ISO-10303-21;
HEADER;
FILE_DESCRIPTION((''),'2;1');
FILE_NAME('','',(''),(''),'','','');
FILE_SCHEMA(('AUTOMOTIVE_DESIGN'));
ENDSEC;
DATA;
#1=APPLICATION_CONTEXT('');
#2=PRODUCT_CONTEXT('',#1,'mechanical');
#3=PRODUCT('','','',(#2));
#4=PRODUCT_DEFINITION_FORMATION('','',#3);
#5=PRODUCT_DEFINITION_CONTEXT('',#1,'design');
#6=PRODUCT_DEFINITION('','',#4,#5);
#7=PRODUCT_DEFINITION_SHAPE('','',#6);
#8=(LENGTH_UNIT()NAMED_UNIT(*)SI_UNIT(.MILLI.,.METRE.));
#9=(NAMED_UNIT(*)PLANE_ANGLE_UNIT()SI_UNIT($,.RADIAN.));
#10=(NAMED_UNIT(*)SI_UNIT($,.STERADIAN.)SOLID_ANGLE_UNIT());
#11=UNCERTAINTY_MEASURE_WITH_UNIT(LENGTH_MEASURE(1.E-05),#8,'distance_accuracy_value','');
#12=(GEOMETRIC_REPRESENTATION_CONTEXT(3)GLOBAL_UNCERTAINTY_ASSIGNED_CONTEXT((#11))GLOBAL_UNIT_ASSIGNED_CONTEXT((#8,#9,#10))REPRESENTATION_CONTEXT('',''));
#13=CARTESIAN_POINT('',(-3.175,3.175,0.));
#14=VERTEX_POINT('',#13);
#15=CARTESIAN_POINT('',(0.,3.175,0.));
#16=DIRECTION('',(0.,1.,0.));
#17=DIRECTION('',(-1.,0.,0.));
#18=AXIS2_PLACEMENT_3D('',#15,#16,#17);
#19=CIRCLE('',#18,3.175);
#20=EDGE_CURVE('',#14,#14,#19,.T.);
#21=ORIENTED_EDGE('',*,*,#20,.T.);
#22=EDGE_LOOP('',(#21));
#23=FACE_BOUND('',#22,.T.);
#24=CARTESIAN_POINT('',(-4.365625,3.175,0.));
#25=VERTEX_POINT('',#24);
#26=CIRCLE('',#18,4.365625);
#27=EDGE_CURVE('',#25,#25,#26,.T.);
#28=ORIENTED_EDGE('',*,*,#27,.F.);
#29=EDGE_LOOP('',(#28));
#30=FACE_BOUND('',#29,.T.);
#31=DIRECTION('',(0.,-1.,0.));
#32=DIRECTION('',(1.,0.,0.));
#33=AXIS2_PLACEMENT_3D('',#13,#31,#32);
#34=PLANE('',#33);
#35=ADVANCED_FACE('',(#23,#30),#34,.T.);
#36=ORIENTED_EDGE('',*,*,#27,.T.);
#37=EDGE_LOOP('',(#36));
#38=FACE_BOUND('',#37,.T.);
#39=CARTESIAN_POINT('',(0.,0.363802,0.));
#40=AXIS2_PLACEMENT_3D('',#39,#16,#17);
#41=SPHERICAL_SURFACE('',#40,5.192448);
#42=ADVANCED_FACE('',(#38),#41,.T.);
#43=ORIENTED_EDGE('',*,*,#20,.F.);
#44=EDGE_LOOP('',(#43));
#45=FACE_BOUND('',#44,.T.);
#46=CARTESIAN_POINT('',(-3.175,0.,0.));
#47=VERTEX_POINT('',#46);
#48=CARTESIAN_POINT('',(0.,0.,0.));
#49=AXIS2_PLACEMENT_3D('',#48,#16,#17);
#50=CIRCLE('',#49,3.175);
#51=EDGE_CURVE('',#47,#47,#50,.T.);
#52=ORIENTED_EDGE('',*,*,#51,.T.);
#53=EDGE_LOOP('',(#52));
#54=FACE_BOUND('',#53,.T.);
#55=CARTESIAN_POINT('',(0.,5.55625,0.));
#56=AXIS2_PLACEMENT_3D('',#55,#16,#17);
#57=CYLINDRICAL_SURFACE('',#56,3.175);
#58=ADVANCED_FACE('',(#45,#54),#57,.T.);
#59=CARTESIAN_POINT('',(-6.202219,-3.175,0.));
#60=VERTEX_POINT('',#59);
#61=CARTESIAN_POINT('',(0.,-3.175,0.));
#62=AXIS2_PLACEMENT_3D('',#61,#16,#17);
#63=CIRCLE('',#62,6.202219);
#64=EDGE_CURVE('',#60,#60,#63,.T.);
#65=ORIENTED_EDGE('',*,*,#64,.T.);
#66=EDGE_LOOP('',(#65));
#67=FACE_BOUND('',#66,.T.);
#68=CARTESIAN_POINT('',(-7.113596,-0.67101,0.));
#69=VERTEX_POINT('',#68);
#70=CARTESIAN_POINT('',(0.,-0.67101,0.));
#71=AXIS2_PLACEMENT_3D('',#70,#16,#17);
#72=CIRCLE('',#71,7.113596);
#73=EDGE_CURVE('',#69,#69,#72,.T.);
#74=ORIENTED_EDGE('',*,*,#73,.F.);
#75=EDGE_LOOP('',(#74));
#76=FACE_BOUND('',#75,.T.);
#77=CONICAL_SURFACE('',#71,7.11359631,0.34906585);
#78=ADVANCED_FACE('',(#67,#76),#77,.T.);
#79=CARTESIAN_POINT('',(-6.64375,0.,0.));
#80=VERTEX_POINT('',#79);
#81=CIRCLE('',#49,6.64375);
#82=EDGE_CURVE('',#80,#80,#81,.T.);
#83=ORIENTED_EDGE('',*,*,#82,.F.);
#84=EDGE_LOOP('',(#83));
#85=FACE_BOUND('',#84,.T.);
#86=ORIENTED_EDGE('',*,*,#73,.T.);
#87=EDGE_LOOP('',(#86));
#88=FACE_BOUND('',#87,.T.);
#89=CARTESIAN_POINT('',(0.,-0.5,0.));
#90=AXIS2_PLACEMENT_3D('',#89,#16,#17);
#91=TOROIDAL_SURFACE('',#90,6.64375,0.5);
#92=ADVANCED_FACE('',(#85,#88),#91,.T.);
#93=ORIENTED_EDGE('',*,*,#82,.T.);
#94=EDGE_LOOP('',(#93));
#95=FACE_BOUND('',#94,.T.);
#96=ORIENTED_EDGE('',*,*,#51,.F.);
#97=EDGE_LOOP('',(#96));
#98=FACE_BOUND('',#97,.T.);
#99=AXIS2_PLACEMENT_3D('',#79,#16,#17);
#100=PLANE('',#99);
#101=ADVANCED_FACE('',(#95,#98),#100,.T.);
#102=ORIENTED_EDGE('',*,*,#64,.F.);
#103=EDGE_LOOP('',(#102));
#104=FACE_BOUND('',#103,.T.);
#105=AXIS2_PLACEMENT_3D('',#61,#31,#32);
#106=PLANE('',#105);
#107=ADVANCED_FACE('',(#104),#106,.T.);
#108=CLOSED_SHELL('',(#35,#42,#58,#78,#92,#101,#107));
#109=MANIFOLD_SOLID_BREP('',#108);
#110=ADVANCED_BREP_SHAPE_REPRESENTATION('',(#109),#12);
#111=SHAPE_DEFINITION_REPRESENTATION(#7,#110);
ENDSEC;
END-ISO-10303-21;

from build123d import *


with BuildPart() as part:
    # Sketch1 → Revolve1 (revolve)
    with BuildSketch(Plane.XY):
        with BuildLine():
            Line((0, 5.55625), (0, -3.175))
            Line((0, -3.175), (-6.20221851, -3.175))
            Line((-6.20221851, -3.175), (-7.11359631, -0.671010072))
            ThreePointArc((-7.11359631, -0.671010072), (-7.053326022, -0.213211782), (-6.64375, 0))
            Line((-6.64375, 0), (-3.175, 0))
            Line((-3.175, 0), (-3.175, 3.175))
            Line((-3.175, 3.175), (-4.365625, 3.175))
            ThreePointArc((-4.365625, 3.175), (-2.486414748, 4.922229122), (0, 5.55625))
        make_face()
    revolve(axis=Axis((0, 5.55625, 0), (0, -1, 0)))


solid = part.part
